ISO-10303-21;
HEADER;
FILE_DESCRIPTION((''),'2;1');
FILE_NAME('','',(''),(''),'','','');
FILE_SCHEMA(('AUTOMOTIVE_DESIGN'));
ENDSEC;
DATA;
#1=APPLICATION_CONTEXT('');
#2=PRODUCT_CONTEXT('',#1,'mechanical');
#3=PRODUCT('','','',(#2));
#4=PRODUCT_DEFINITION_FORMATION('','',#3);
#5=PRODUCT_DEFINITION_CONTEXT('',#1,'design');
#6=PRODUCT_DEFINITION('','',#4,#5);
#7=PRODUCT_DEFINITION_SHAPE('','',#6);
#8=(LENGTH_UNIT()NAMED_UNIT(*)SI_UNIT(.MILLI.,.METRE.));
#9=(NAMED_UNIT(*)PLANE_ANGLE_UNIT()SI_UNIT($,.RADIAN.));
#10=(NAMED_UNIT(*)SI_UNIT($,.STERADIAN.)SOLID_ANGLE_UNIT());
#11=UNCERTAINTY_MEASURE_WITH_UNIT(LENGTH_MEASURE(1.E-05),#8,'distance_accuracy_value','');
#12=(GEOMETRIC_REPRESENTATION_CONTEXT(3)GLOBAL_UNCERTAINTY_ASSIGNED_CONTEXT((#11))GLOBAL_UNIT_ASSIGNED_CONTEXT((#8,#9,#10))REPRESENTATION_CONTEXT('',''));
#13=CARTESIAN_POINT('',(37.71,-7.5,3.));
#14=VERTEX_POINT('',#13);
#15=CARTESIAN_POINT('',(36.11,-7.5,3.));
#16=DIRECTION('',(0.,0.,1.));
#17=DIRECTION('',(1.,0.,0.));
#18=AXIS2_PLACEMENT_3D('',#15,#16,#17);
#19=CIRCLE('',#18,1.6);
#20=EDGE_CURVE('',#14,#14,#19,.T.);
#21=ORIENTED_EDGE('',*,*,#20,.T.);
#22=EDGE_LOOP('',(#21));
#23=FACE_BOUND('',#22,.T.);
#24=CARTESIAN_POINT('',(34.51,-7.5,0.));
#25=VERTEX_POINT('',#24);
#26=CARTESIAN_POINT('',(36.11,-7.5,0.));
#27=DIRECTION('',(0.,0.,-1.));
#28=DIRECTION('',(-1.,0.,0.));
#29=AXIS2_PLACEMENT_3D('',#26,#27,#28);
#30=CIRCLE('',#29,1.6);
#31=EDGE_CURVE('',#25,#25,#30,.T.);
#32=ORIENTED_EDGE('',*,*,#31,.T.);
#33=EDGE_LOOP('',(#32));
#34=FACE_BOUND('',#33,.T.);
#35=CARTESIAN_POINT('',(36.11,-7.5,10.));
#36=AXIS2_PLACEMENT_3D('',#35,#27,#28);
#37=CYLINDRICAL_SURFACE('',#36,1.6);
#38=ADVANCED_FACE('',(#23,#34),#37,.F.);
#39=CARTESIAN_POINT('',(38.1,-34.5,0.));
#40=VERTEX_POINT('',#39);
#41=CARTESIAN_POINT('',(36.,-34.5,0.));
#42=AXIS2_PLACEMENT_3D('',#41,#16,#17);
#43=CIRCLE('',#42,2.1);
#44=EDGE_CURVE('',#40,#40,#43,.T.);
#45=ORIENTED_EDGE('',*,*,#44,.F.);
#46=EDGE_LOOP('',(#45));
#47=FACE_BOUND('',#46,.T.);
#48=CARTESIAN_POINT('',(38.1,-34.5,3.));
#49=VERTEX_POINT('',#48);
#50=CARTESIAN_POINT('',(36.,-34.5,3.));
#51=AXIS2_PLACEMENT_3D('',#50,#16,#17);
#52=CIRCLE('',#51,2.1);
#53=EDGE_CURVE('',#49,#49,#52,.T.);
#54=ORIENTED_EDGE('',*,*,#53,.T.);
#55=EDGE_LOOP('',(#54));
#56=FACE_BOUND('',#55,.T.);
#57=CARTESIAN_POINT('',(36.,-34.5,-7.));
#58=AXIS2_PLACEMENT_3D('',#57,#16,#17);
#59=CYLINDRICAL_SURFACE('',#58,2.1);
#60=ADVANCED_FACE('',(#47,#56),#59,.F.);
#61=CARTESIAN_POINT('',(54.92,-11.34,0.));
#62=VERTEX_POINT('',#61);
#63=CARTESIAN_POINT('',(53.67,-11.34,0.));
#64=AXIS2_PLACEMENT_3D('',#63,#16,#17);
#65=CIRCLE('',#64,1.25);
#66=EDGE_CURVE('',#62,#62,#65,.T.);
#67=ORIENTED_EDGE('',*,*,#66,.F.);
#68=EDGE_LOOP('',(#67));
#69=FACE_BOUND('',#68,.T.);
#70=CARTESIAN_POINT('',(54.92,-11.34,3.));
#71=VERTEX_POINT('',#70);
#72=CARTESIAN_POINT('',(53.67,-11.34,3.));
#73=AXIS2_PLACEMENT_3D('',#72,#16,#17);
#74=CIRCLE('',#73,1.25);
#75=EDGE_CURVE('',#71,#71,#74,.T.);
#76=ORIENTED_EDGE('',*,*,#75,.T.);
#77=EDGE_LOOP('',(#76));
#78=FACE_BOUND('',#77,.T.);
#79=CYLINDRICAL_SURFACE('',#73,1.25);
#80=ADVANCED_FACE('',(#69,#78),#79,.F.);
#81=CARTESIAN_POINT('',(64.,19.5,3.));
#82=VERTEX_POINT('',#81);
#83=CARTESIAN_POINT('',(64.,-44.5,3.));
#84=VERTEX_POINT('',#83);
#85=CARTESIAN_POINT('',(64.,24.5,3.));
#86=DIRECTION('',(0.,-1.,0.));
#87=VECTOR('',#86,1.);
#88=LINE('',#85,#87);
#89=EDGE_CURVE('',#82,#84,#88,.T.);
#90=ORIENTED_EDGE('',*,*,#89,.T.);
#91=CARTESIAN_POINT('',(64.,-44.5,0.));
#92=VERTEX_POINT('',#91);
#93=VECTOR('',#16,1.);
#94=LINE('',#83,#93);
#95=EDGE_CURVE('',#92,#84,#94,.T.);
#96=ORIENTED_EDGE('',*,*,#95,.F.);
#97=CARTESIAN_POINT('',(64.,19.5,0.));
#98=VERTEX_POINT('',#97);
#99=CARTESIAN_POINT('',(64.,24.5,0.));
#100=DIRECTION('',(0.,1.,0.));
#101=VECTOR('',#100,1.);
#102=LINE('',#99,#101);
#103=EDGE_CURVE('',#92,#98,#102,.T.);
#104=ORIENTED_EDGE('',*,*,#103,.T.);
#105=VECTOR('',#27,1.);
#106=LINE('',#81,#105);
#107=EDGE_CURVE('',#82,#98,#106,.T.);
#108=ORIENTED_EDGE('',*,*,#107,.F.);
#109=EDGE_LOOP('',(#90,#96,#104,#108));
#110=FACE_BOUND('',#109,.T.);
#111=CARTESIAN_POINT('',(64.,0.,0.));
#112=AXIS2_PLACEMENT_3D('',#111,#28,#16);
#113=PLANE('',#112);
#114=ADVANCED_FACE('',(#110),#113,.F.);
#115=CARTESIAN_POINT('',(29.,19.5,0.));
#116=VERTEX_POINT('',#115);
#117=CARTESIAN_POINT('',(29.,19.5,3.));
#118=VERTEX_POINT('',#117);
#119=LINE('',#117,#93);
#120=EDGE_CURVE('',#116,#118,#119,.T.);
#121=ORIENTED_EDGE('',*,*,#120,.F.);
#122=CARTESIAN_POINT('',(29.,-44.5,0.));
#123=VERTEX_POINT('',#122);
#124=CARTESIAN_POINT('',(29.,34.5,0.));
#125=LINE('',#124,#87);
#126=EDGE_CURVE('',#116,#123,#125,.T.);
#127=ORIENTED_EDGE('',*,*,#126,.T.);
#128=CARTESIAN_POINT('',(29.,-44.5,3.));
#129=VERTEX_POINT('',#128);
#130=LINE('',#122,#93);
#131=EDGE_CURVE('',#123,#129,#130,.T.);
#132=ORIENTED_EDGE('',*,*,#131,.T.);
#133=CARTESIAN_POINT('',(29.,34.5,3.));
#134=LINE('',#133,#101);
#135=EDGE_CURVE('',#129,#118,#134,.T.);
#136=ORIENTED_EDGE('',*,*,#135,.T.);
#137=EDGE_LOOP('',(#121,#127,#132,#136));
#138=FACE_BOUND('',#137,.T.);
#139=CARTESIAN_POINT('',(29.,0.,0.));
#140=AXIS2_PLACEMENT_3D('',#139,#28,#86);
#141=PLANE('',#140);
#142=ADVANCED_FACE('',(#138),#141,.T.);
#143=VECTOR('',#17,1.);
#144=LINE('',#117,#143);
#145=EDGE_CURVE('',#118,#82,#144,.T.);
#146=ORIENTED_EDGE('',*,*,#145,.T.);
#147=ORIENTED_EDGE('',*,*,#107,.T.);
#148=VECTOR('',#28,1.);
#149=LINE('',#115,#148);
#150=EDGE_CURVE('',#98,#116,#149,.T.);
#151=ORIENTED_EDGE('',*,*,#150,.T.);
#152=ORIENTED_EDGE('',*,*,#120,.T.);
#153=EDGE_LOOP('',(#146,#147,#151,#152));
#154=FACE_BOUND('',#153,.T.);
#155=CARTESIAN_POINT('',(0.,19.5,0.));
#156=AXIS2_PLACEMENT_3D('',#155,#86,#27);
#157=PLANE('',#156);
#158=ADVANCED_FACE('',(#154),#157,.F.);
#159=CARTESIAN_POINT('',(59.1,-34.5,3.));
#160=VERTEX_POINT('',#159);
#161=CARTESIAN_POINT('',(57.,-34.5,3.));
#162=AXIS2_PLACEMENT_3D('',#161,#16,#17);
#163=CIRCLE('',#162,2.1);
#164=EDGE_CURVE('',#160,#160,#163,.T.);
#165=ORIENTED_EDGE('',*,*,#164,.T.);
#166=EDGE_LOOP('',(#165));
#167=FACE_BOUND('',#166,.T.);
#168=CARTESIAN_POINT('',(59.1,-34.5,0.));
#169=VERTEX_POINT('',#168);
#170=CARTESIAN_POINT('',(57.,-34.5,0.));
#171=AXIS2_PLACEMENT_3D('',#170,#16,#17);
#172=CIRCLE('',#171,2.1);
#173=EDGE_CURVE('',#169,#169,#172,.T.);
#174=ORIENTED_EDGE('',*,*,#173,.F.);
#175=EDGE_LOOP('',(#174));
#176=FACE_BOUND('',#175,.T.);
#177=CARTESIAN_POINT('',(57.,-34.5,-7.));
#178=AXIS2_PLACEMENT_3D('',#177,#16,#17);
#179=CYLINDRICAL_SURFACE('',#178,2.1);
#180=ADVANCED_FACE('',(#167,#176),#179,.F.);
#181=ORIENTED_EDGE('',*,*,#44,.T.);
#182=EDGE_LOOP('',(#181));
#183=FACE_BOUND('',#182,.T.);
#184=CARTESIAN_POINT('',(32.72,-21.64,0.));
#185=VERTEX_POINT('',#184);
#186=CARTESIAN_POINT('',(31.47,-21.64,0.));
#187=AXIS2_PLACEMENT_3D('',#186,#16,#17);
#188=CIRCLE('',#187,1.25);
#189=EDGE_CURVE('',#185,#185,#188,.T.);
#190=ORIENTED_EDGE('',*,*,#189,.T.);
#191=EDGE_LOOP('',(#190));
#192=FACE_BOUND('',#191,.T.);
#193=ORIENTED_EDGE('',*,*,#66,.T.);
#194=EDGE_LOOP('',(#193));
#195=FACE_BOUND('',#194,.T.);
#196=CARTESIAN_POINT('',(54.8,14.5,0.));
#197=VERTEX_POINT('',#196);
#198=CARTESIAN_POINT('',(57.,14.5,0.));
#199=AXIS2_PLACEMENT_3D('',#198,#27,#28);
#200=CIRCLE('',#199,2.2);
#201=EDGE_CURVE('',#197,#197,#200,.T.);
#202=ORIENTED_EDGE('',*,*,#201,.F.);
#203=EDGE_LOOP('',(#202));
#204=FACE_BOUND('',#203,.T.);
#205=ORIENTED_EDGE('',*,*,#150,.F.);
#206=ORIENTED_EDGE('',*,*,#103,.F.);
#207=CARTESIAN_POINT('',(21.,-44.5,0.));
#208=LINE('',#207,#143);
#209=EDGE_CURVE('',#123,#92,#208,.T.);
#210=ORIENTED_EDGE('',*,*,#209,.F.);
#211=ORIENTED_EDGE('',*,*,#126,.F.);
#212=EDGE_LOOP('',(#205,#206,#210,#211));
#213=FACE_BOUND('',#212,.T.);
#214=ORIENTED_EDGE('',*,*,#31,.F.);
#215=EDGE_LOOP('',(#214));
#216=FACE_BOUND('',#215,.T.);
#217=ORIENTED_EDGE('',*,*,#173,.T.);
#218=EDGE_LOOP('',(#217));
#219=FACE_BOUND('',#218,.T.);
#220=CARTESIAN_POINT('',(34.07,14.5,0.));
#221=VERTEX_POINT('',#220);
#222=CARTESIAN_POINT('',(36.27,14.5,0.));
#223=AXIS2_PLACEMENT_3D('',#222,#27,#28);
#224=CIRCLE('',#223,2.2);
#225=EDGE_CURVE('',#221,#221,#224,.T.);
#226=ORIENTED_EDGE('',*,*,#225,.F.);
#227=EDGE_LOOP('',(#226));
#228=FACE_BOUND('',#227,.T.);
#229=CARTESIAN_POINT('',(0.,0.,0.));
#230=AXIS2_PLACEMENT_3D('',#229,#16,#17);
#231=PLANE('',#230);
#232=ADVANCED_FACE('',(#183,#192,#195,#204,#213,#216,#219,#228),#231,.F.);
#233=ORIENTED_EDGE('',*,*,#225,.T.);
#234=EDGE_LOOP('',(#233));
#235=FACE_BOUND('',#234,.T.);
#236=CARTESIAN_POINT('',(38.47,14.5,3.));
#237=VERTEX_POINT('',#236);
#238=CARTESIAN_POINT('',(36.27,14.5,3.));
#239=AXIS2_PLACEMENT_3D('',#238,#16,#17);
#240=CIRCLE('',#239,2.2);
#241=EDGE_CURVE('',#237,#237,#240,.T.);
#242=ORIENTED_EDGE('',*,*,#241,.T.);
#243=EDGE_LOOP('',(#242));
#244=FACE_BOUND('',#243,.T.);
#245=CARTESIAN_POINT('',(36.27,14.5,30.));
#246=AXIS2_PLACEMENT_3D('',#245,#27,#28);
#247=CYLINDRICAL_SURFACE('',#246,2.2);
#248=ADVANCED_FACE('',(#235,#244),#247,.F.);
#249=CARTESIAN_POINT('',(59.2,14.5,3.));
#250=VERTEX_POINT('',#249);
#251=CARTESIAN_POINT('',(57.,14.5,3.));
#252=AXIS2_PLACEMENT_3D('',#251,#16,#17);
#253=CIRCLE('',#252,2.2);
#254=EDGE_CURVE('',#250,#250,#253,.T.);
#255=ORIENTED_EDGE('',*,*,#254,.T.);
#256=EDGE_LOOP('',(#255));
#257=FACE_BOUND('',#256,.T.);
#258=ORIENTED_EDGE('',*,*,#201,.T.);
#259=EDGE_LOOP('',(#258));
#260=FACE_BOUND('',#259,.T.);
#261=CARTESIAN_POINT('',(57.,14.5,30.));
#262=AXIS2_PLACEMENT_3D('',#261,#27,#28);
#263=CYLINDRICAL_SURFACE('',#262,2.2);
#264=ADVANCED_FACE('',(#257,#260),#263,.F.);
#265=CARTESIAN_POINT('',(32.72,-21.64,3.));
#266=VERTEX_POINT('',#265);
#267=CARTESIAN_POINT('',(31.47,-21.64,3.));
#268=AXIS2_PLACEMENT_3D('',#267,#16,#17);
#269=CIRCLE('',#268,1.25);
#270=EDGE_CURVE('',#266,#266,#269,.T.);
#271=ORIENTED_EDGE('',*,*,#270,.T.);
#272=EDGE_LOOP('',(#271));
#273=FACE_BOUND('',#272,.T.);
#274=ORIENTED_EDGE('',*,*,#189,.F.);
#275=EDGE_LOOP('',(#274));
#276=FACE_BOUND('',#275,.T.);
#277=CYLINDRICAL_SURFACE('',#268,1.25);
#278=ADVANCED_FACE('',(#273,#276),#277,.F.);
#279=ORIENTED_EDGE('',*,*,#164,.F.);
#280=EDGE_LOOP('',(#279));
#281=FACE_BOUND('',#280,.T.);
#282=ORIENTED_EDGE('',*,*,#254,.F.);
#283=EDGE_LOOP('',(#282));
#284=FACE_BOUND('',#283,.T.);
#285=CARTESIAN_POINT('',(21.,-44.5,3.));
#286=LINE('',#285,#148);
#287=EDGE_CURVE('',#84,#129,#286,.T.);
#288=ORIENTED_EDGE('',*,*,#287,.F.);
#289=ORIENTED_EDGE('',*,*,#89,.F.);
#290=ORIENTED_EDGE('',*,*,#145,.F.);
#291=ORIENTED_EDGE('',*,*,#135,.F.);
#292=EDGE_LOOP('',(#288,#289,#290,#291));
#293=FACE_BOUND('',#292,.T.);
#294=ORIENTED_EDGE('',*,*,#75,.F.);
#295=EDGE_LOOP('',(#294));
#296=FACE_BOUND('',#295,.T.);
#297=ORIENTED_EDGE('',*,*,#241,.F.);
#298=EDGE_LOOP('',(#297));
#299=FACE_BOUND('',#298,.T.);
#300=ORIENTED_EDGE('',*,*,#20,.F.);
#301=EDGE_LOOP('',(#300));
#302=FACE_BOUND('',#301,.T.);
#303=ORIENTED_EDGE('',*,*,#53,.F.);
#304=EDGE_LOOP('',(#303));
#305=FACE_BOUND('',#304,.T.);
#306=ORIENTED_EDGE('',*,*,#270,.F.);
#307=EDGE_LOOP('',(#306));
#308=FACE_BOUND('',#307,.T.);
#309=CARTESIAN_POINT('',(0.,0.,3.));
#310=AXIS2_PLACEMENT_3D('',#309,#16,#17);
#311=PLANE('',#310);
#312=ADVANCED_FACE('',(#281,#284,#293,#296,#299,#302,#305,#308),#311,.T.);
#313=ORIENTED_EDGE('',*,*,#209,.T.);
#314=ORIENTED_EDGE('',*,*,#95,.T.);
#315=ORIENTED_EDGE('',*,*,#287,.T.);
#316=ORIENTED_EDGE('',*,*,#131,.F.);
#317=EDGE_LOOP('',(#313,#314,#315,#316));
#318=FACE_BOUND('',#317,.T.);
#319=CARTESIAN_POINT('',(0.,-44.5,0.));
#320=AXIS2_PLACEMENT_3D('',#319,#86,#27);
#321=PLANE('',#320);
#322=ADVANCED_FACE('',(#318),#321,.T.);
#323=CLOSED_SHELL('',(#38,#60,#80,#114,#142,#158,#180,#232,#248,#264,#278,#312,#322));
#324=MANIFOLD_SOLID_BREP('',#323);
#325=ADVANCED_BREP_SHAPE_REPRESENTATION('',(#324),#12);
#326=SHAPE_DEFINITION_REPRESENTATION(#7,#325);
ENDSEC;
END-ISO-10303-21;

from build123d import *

# Parameters (mm, degrees)
SKETCH_1_W           = 40
SKETCH_1_H           = 29
EXTRUDE_1_DEPTH      = 3
CUT_EXTRUDE_1_DEPTH  = 3
SKETCH_3_W           = 40
SKETCH_3_H           = 3
EXTRUDE_2_DEPTH      = 10
SKETCH_4_W           = 40
SKETCH_4_H           = 3
EXTRUDE_3_DEPTH      = 10
SKETCH_6_W           = 3
SKETCH_6_H           = 49
EXTRUDE_5_DEPTH      = 42
SKETCH_8_W           = 3
SKETCH_8_H           = 49
EXTRUDE_6_DEPTH      = 2
SKETCH_9_W           = 3
SKETCH_9_H           = 49
EXTRUDE_7_DEPTH      = 2
SKETCH_10_W          = 86
SKETCH_10_H          = 3
EXTRUDE_8_DEPTH      = 10
SKETCH_11_W          = 86
SKETCH_11_H          = 3
EXTRUDE_9_DEPTH      = 10
SKETCH_14_W          = 3
SKETCH_14_H          = 69
CUT_EXTRUDE_5_DEPTH  = 43
SKETCH_17_W          = 43
SKETCH_17_H          = 3
EXTRUDE_10_DEPTH     = 20
SKETCH_18_R          = 2.1
CUT_EXTRUDE_6_DEPTH  = 10
SKETCH_20_W          = 43
SKETCH_20_H          = 3
EXTRUDE_11_DEPTH     = 10
SKETCH_21_W          = 43
SKETCH_21_H          = 3
CUT_EXTRUDE_7_DEPTH  = 20
SKETCH_24_R          = 2.2
CUT_EXTRUDE_8_DEPTH  = 30
SKETCH_27_R          = 1.6
CUT_EXTRUDE_9_DEPTH  = 10
SKETCH_28_W          = 3
SKETCH_28_H          = 79
CUT_EXTRUDE_10_DEPTH = 8
SKETCH_29_W          = 35
SKETCH_29_H          = 3
CUT_EXTRUDE_11_DEPTH = 15
M3X0_5_2_D           = 2.5
M3X0_5_2_DEPTH       = 8.5
M3X0_5_2_TIP         = 0.751075774


with BuildPart() as part:
    # ｽｹｯﾁ1 → ﾎﾞｽ - 押し出し1 (new body)
    with BuildSketch(Plane.XY):
        Rectangle(SKETCH_1_W, SKETCH_1_H)
    extrude(amount=EXTRUDE_1_DEPTH)

    # ｽｹｯﾁ2 → ｶｯﾄ - 押し出し1 (cut)
    with BuildSketch(Plane.XY.offset(3)):
        with BuildLine():
            ThreePointArc((-14.4, 10.5), (-15.01507576, 11.98492424), (-16.5, 12.6))
            Line((-16.5, 12.6), (-16.5, 10.5))
            Line((-16.5, 10.5), (-18.6, 10.5))
            ThreePointArc((-18.6, 10.5), (-16.5, 8.4), (-14.4, 10.5))
        make_face()
        with BuildLine():
            Line((-16.5, 10.5), (-16.5, 12.6))
            ThreePointArc((-16.5, 12.6), (-17.98492424, 11.98492424), (-18.6, 10.5))
            Line((-18.6, 10.5), (-16.5, 10.5))
        make_face()
        with BuildLine():
            ThreePointArc((-18.6, -10.5), (-17.98492424, -11.98492424), (-16.5, -12.6))
            Line((-16.5, -12.6), (-16.5, -10.5))
            Line((-16.5, -10.5), (-18.6, -10.5))
        make_face()
        with BuildLine():
            Line((-16.5, -10.5), (-16.5, -12.6))
            ThreePointArc((-16.5, -12.6), (-15.01507576, -11.98492424), (-14.4, -10.5))
            ThreePointArc((-14.4, -10.5), (-16.5, -8.4), (-18.6, -10.5))
            Line((-18.6, -10.5), (-16.5, -10.5))
        make_face()
        with BuildLine():
            ThreePointArc((18.6, -10.5), (15.01507576, -9.01507576), (16.5, -12.6))
            Line((16.5, -12.6), (16.5, -10.5))
            Line((16.5, -10.5), (18.6, -10.5))
        make_face()
        with BuildLine():
            Line((16.5, -10.5), (16.5, -12.6))
            ThreePointArc((16.5, -12.6), (17.98492424, -11.98492424), (18.6, -10.5))
            Line((18.6, -10.5), (16.5, -10.5))
        make_face()
        with BuildLine():
            ThreePointArc((18.6, 10.5), (17.98492424, 11.98492424), (16.5, 12.6))
            Line((16.5, 12.6), (16.5, 10.5))
            Line((16.5, 10.5), (18.6, 10.5))
        make_face()
        with BuildLine():
            Line((16.5, 10.5), (16.5, 12.6))
            ThreePointArc((16.5, 12.6), (15.01507576, 9.01507576), (18.6, 10.5))
            Line((18.6, 10.5), (16.5, 10.5))
        make_face()
    extrude(amount=-CUT_EXTRUDE_1_DEPTH, mode=Mode.SUBTRACT)

    # ｽｹｯﾁ3 → ﾎﾞｽ - 押し出し2 (add)
    with BuildSketch(Plane.XZ.offset(14.5)):
        with Locations((0, 1.5)):
            Rectangle(SKETCH_3_W, SKETCH_3_H)
    extrude(amount=EXTRUDE_2_DEPTH)

    # ｽｹｯﾁ4 → ﾎﾞｽ - 押し出し3 (add)
    with BuildSketch(Plane(origin=(0, 14.5, 0), x_dir=(1, 0, 0), z_dir=(0, 1, 0))):
        with Locations((0, -1.5)):
            Rectangle(SKETCH_4_W, SKETCH_4_H)
    extrude(amount=EXTRUDE_3_DEPTH)

    # ｽｹｯﾁ6 → ﾎﾞｽ - 押し出し5 (add)
    with BuildSketch(Plane(origin=(20, 0, 0), x_dir=(0, 0, -1), z_dir=(1, 0, 0))):
        with Locations((-1.5, 0)):
            Rectangle(SKETCH_6_W, SKETCH_6_H)
    extrude(amount=EXTRUDE_5_DEPTH)

    # ｽｹｯﾁ8 → ﾎﾞｽ - 押し出し6 (add)
    with BuildSketch(Plane.ZY.offset(20)):
        with Locations((1.5, 0)):
            Rectangle(SKETCH_8_W, SKETCH_8_H)
    extrude(amount=EXTRUDE_6_DEPTH)

    # ｽｹｯﾁ9 → ﾎﾞｽ - 押し出し7 (add)
    with BuildSketch(Plane(origin=(62, 0, 0), x_dir=(0, 0, -1), z_dir=(1, 0, 0))):
        with Locations((-1.5, 0)):
            Rectangle(SKETCH_9_W, SKETCH_9_H)
    extrude(amount=EXTRUDE_7_DEPTH)

    # ｽｹｯﾁ10 → ﾎﾞｽ - 押し出し8 (add)
    with BuildSketch(Plane.XZ.offset(24.5)):
        with Locations((21, 1.5)):
            Rectangle(SKETCH_10_W, SKETCH_10_H)
    extrude(amount=EXTRUDE_8_DEPTH)

    # ｽｹｯﾁ11 → ﾎﾞｽ - 押し出し9 (add)
    with BuildSketch(Plane(origin=(0, 24.5, 0), x_dir=(1, 0, 0), z_dir=(0, 1, 0))):
        with Locations((21, -1.5)):
            Rectangle(SKETCH_11_W, SKETCH_11_H)
    extrude(amount=EXTRUDE_9_DEPTH)

    # ｽｹｯﾁ14 → ｶｯﾄ - 押し出し5 (cut)
    with BuildSketch(Plane.ZY.offset(22)):
        with Locations((1.5, 0)):
            Rectangle(SKETCH_14_W, SKETCH_14_H)
    extrude(amount=-CUT_EXTRUDE_5_DEPTH, mode=Mode.SUBTRACT)

    # ｽｹｯﾁ17 → ﾎﾞｽ - 押し出し10 (add)
    with BuildSketch(Plane.XZ.offset(34.5)):
        with Locations((42.5, 1.5)):
            Rectangle(SKETCH_17_W, SKETCH_17_H)
    extrude(amount=EXTRUDE_10_DEPTH)

    # ｽｹｯﾁ18 → ｶｯﾄ - 押し出し6 (cut)
    with BuildSketch(Plane.XY.offset(3)):
        with Locations((36, -34.5)):
            Circle(SKETCH_18_R)
        with Locations((57, -34.5)):
            Circle(SKETCH_18_R)
    extrude(amount=-CUT_EXTRUDE_6_DEPTH, mode=Mode.SUBTRACT)

    # ｽｹｯﾁ20 → ﾎﾞｽ - 押し出し11 (add)
    with BuildSketch(Plane.XZ.offset(54.5)):
        with Locations((42.5, 1.5)):
            Rectangle(SKETCH_20_W, SKETCH_20_H)
    extrude(amount=EXTRUDE_11_DEPTH)

    # ｽｹｯﾁ21 → ｶｯﾄ - 押し出し7 (cut)
    with BuildSketch(Plane.XZ.offset(64.5)):
        with Locations((42.5, 1.5)):
            Rectangle(SKETCH_21_W, SKETCH_21_H)
    extrude(amount=-CUT_EXTRUDE_7_DEPTH, mode=Mode.SUBTRACT)

    # ｽｹｯﾁ24 → ｶｯﾄ - 押し出し8 (cut)
    with BuildSketch(Plane(origin=(0, 0, 0), x_dir=(-1, 0, 0), z_dir=(0, 0, -1))):
        with Locations((-36.27, 14.5)):
            Circle(SKETCH_24_R)
        with Locations((-57, 14.5)):
            Circle(SKETCH_24_R)
    extrude(amount=-CUT_EXTRUDE_8_DEPTH, mode=Mode.SUBTRACT)

    # ｽｹｯﾁ27 → ｶｯﾄ - 押し出し9 (cut)
    with BuildSketch(Plane(origin=(0, 0, 0), x_dir=(-1, 0, 0), z_dir=(0, 0, -1))):
        with Locations((-36.11, -7.5)):
            Circle(SKETCH_27_R)
    extrude(amount=-CUT_EXTRUDE_9_DEPTH, mode=Mode.SUBTRACT)

    # ｽｹｯﾁ28 → ｶｯﾄ - 押し出し10 (cut)
    with BuildSketch(Plane.ZY.offset(-21)):
        with Locations((1.5, -5)):
            Rectangle(SKETCH_28_W, SKETCH_28_H)
    extrude(amount=-CUT_EXTRUDE_10_DEPTH, mode=Mode.SUBTRACT)

    # ｽｹｯﾁ29 → ｶｯﾄ - 押し出し11 (cut)
    with BuildSketch(Plane(origin=(0, 34.5, 0), x_dir=(1, 0, 0), z_dir=(0, 1, 0))):
        with Locations((46.5, -1.5)):
            Rectangle(SKETCH_29_W, SKETCH_29_H)
    extrude(amount=-CUT_EXTRUDE_11_DEPTH, mode=Mode.SUBTRACT)

    # M3x0.5 ねじ穴2
    with Locations(Plane(origin=(31.47, -21.64, 3), x_dir=(1, 0, 0), z_dir=(0, 0, 1))):
        with Locations((0, 0), (22.2, 10.3)):
            Hole(M3X0_5_2_D / 2, depth=M3X0_5_2_DEPTH)
            with Locations((0, 0, -(M3X0_5_2_DEPTH + M3X0_5_2_TIP / 2))):  # 118° drill point
                Cone(0, M3X0_5_2_D / 2, M3X0_5_2_TIP, mode=Mode.SUBTRACT)


solid = part.part
